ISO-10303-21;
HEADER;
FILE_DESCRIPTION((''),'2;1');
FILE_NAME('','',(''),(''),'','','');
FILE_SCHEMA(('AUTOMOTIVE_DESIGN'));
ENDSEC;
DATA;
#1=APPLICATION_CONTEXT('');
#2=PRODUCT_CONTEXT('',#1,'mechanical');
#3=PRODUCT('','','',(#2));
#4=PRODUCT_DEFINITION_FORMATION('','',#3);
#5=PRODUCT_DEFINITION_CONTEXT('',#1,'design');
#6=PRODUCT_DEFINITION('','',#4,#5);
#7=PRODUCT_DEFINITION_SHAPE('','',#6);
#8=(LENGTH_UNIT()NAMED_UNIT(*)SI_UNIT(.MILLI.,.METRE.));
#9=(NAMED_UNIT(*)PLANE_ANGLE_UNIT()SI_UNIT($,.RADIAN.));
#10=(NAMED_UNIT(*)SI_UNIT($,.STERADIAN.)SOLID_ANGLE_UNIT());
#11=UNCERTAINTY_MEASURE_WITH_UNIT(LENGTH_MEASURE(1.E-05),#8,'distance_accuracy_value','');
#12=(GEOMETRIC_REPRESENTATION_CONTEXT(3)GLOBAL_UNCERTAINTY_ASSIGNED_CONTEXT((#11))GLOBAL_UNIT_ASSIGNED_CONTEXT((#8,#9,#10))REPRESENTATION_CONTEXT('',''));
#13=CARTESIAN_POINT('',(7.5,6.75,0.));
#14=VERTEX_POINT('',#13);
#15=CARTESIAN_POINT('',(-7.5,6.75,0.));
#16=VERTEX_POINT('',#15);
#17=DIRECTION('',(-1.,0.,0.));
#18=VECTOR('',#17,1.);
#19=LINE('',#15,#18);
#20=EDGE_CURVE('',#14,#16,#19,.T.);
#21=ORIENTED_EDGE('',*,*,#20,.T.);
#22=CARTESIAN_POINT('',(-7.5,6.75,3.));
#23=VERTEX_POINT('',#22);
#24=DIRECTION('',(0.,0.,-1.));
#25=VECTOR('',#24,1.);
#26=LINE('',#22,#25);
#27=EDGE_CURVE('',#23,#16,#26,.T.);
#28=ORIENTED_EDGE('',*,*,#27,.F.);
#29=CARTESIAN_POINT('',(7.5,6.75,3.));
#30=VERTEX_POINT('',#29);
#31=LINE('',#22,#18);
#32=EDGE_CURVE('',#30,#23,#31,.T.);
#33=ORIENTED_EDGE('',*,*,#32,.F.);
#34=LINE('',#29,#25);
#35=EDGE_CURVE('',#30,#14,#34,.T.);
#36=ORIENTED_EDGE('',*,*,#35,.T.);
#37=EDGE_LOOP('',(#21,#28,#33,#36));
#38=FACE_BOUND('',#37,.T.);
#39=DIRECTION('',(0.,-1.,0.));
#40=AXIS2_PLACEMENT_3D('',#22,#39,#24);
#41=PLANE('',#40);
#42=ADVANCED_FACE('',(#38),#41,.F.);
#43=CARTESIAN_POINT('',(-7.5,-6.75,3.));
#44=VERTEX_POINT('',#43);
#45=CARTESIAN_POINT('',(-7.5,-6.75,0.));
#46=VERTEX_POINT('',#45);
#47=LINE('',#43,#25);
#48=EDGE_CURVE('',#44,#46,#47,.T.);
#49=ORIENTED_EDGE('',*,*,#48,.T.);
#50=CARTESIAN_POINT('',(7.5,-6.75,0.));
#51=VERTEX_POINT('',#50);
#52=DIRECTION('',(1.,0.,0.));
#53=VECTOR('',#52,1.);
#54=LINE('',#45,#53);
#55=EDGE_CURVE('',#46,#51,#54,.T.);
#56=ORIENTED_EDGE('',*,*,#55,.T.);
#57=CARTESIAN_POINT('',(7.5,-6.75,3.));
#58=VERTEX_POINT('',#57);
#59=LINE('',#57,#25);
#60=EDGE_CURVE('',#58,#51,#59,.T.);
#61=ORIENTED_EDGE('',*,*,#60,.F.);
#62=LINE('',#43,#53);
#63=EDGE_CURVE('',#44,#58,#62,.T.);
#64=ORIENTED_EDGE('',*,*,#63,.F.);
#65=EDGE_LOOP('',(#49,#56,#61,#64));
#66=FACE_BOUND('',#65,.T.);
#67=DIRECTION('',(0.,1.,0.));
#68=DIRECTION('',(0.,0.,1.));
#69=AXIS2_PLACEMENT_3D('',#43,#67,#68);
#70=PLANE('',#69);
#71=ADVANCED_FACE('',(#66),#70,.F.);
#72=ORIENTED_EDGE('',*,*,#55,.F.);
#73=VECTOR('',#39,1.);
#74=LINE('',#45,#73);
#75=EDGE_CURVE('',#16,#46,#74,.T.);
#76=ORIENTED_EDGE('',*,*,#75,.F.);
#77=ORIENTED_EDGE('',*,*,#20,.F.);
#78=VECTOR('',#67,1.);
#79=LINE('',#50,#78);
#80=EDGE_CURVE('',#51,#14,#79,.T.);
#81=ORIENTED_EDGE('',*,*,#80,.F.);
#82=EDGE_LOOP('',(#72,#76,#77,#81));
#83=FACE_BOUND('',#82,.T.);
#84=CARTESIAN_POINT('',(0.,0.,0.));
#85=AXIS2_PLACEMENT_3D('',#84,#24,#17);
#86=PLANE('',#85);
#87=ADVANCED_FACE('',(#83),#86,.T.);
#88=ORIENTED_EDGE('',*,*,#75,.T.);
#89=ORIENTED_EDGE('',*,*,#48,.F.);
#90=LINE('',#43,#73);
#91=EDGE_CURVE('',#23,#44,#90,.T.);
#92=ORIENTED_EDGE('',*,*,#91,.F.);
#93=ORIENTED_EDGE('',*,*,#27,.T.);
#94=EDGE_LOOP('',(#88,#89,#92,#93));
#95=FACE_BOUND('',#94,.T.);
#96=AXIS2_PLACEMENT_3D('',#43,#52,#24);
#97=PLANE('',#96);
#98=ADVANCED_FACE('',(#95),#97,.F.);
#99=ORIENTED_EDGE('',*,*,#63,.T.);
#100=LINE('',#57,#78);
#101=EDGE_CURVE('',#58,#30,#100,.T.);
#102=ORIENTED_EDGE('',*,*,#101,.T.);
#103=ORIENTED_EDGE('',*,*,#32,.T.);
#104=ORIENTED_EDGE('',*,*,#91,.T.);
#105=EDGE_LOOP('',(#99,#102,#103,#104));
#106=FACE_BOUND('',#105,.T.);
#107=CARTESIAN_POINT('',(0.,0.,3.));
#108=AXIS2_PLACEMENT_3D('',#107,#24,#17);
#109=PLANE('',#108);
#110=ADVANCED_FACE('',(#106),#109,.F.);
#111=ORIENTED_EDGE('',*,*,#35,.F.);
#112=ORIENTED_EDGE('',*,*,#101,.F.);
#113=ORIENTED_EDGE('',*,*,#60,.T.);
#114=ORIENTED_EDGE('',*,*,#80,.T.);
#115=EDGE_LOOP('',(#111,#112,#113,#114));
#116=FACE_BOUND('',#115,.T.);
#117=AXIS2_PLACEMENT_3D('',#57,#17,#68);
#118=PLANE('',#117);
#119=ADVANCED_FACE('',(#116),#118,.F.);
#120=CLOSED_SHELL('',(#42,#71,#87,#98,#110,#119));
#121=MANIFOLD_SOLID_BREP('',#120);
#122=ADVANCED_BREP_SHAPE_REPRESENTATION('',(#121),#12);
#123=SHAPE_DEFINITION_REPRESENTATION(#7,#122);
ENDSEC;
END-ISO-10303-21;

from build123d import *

# Parameters (mm, degrees)
ESQUISSE1_W        = 15
ESQUISSE1_H        = 13.5
BOSS_EXTRU_1_DEPTH = 3


with BuildPart() as part:
    # Esquisse1 → Boss.-Extru.1 (new body)
    with BuildSketch(Plane.XY):
        Rectangle(ESQUISSE1_W, ESQUISSE1_H)
    extrude(amount=BOSS_EXTRU_1_DEPTH)


solid = part.part
